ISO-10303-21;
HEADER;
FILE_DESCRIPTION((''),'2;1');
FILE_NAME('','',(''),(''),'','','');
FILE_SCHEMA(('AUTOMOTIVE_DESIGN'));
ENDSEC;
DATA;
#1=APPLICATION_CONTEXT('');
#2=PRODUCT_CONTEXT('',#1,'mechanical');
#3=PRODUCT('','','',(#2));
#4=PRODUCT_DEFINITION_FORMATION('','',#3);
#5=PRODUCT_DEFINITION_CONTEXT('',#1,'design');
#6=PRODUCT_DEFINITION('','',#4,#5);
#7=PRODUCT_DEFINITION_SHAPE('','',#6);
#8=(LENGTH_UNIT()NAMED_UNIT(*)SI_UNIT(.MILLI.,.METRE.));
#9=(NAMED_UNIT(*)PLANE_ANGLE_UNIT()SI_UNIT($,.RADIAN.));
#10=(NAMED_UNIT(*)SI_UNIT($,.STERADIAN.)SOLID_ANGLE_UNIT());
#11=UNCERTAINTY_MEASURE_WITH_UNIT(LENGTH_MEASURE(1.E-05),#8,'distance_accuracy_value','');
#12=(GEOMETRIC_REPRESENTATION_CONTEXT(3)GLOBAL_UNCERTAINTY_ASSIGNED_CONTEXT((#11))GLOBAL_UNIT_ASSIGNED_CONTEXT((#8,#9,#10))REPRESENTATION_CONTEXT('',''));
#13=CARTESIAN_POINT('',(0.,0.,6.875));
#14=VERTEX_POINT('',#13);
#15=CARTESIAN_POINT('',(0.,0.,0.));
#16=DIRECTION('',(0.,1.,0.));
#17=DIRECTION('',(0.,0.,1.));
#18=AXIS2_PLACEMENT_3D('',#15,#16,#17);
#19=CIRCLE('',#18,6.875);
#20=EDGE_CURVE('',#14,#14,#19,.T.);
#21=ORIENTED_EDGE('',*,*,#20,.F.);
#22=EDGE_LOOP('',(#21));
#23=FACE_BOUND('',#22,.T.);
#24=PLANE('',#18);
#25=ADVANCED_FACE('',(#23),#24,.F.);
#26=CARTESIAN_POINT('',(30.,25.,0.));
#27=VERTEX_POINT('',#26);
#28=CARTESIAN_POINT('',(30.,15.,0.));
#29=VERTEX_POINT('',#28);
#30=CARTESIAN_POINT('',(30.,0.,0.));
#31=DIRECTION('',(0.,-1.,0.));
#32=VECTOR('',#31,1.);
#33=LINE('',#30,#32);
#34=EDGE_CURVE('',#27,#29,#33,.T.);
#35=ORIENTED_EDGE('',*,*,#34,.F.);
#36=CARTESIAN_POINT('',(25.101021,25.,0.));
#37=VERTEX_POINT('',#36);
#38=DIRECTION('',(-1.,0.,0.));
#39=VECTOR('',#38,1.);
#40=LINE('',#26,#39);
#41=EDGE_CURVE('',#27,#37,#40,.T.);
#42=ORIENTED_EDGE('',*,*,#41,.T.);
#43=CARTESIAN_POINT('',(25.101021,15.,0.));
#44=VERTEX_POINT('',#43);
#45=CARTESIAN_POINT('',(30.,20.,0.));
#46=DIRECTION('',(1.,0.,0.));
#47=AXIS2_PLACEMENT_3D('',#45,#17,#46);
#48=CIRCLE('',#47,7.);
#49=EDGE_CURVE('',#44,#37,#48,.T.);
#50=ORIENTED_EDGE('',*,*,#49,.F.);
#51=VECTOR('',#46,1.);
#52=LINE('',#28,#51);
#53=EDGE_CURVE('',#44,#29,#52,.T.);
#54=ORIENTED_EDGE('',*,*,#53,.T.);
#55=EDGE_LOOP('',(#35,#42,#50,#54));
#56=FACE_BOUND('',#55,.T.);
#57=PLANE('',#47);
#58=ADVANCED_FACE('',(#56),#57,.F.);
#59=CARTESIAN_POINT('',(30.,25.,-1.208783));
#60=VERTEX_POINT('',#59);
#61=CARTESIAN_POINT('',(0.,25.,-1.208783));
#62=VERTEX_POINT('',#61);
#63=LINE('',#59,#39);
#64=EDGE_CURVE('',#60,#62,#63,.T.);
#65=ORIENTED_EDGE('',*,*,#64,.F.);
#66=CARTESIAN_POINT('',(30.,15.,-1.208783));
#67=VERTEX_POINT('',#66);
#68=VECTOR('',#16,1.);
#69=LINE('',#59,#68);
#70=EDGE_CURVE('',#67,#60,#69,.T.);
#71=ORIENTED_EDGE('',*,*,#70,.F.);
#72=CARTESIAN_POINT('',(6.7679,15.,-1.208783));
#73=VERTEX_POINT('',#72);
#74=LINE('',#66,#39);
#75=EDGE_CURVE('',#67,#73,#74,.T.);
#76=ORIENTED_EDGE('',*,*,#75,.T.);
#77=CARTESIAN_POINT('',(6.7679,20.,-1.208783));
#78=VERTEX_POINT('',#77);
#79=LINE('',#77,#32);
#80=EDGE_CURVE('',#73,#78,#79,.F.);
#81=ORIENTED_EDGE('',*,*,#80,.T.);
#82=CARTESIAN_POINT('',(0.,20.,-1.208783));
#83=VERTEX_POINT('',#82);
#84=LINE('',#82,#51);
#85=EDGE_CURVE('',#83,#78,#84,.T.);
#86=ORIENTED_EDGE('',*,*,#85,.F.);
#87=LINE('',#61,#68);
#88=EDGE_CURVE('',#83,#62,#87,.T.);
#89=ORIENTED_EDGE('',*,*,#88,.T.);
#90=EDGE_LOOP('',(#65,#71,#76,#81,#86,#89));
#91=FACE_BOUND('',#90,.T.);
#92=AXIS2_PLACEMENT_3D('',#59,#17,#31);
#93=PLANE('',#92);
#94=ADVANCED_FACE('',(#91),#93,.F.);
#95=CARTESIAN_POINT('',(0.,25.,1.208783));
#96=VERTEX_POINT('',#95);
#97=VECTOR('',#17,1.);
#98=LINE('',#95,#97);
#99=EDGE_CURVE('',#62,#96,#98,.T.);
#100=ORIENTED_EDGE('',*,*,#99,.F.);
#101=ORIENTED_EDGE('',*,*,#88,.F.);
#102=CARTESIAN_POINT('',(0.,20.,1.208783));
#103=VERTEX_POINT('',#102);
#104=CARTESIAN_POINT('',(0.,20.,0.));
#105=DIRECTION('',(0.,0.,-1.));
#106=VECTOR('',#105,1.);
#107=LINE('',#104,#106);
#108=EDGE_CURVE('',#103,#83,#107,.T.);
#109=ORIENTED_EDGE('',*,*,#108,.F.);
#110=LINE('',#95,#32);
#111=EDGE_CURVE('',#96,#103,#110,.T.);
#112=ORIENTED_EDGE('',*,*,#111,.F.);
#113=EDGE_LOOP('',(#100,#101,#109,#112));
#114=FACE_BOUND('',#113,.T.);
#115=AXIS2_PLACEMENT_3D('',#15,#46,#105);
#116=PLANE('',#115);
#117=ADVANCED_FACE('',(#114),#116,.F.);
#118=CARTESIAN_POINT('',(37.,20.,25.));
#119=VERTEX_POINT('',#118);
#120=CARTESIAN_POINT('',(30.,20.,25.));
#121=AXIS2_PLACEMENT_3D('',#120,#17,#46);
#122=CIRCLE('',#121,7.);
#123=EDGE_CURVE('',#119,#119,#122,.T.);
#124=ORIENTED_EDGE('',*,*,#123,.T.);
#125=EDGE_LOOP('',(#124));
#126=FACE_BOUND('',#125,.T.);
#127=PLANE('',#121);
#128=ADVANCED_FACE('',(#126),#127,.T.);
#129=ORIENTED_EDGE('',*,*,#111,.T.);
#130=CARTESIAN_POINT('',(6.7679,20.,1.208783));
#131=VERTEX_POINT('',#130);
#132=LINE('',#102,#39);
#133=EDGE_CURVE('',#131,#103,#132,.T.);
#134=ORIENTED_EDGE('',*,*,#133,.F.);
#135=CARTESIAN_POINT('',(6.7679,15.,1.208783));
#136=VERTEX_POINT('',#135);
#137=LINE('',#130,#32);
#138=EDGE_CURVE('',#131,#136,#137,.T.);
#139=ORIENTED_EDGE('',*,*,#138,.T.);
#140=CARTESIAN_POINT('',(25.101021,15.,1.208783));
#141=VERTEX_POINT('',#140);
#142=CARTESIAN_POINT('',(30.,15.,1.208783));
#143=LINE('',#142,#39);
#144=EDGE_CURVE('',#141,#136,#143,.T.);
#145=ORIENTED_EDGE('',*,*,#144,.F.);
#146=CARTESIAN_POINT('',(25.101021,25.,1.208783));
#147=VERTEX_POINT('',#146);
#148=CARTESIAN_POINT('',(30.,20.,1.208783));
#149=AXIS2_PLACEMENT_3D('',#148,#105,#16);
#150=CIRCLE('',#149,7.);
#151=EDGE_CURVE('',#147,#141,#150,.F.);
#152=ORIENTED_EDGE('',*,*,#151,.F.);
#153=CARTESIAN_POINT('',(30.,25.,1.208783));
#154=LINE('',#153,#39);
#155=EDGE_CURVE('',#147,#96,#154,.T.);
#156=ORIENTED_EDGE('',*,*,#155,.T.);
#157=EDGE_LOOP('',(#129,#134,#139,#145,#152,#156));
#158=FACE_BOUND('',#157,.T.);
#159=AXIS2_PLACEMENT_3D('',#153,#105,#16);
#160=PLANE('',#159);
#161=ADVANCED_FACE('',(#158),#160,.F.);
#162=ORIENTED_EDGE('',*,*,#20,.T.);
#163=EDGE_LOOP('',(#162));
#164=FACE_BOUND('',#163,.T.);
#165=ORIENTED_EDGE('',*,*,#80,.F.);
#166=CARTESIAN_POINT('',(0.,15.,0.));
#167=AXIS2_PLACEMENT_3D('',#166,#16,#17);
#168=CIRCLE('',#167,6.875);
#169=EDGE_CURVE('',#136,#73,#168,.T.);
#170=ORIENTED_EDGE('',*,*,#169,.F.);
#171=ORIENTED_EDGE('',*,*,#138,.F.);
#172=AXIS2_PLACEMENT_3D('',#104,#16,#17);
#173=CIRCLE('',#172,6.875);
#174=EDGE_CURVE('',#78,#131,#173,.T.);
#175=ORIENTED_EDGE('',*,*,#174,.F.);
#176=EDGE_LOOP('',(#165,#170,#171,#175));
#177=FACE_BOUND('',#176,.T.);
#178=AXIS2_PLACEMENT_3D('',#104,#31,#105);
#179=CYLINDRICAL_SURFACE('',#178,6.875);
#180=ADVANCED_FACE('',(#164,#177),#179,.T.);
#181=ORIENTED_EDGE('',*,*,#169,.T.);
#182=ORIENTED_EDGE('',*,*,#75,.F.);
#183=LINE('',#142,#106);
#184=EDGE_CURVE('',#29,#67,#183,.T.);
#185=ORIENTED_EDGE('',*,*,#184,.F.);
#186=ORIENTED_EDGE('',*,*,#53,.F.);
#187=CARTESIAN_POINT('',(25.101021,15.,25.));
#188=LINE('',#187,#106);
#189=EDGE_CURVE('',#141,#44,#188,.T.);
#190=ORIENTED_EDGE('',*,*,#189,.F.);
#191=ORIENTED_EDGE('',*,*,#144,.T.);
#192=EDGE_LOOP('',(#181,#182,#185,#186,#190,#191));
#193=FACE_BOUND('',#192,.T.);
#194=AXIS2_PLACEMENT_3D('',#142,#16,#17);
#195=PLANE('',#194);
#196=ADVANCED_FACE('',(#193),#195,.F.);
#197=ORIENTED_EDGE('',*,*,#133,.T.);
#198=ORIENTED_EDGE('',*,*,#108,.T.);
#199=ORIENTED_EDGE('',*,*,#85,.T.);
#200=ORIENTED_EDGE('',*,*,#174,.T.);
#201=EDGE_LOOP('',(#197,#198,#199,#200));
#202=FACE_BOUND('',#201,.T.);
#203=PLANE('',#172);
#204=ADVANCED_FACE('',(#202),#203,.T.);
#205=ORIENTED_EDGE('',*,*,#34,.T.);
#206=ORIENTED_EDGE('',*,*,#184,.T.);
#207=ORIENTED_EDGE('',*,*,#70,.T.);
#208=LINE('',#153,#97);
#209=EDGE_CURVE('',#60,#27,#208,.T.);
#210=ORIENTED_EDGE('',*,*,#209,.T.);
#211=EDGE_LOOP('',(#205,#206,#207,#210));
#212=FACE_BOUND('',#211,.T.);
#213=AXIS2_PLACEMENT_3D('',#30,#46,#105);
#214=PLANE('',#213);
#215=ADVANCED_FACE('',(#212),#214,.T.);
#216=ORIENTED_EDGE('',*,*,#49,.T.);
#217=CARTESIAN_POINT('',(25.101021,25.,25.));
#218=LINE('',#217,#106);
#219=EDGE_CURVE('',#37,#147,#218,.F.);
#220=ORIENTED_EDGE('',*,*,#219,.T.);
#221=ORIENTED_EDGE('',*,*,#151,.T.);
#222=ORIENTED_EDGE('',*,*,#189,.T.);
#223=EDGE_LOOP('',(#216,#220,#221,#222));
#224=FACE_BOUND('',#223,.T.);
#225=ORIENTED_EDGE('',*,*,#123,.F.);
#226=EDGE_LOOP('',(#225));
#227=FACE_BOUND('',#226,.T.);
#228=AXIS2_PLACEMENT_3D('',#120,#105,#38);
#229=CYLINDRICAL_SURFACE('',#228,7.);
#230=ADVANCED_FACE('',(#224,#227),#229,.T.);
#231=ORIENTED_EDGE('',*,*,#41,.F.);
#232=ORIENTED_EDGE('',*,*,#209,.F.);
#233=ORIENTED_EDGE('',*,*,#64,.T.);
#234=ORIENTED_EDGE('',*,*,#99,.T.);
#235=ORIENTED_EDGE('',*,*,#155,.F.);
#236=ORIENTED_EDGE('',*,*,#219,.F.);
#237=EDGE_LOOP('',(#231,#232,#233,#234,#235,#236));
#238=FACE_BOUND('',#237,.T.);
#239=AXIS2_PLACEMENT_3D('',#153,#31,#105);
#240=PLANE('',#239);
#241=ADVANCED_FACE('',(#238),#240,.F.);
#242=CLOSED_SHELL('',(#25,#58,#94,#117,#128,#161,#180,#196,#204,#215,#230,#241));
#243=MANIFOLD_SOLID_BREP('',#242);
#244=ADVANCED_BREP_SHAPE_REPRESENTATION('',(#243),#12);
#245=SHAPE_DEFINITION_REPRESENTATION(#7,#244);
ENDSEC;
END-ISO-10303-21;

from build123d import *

# Parameters (mm, degrees)
SKETCH1_R           = 6.875
BOSS_EXTRUDE1_DEPTH = 20
SKETCH2_W           = 2.41756572
SKETCH2_H           = 10
BOSS_EXTRUDE2_DEPTH = 30
SKETCH3_R           = 7
BOSS_EXTRUDE3_DEPTH = 25


with BuildPart() as part:
    # Sketch1 → Boss-Extrude1 (new body)
    with BuildSketch(Plane(origin=(0, 0, 0), x_dir=(1, 0, 0), z_dir=(0, 1, 0))):
        Circle(SKETCH1_R)
    extrude(amount=BOSS_EXTRUDE1_DEPTH)

    # Sketch2 → Boss-Extrude2 (add)
    with BuildSketch(Plane(origin=(0, 0, 0), x_dir=(0, 0, -1), z_dir=(1, 0, 0))):
        with Locations((0, 20)):
            Rectangle(SKETCH2_W, SKETCH2_H)
    extrude(amount=BOSS_EXTRUDE2_DEPTH)

    # Sketch3 → Boss-Extrude3 (add)
    with BuildSketch(Plane.XY):
        with Locations((30, 20)):
            Circle(SKETCH3_R)
    extrude(amount=BOSS_EXTRUDE3_DEPTH)


solid = part.part
